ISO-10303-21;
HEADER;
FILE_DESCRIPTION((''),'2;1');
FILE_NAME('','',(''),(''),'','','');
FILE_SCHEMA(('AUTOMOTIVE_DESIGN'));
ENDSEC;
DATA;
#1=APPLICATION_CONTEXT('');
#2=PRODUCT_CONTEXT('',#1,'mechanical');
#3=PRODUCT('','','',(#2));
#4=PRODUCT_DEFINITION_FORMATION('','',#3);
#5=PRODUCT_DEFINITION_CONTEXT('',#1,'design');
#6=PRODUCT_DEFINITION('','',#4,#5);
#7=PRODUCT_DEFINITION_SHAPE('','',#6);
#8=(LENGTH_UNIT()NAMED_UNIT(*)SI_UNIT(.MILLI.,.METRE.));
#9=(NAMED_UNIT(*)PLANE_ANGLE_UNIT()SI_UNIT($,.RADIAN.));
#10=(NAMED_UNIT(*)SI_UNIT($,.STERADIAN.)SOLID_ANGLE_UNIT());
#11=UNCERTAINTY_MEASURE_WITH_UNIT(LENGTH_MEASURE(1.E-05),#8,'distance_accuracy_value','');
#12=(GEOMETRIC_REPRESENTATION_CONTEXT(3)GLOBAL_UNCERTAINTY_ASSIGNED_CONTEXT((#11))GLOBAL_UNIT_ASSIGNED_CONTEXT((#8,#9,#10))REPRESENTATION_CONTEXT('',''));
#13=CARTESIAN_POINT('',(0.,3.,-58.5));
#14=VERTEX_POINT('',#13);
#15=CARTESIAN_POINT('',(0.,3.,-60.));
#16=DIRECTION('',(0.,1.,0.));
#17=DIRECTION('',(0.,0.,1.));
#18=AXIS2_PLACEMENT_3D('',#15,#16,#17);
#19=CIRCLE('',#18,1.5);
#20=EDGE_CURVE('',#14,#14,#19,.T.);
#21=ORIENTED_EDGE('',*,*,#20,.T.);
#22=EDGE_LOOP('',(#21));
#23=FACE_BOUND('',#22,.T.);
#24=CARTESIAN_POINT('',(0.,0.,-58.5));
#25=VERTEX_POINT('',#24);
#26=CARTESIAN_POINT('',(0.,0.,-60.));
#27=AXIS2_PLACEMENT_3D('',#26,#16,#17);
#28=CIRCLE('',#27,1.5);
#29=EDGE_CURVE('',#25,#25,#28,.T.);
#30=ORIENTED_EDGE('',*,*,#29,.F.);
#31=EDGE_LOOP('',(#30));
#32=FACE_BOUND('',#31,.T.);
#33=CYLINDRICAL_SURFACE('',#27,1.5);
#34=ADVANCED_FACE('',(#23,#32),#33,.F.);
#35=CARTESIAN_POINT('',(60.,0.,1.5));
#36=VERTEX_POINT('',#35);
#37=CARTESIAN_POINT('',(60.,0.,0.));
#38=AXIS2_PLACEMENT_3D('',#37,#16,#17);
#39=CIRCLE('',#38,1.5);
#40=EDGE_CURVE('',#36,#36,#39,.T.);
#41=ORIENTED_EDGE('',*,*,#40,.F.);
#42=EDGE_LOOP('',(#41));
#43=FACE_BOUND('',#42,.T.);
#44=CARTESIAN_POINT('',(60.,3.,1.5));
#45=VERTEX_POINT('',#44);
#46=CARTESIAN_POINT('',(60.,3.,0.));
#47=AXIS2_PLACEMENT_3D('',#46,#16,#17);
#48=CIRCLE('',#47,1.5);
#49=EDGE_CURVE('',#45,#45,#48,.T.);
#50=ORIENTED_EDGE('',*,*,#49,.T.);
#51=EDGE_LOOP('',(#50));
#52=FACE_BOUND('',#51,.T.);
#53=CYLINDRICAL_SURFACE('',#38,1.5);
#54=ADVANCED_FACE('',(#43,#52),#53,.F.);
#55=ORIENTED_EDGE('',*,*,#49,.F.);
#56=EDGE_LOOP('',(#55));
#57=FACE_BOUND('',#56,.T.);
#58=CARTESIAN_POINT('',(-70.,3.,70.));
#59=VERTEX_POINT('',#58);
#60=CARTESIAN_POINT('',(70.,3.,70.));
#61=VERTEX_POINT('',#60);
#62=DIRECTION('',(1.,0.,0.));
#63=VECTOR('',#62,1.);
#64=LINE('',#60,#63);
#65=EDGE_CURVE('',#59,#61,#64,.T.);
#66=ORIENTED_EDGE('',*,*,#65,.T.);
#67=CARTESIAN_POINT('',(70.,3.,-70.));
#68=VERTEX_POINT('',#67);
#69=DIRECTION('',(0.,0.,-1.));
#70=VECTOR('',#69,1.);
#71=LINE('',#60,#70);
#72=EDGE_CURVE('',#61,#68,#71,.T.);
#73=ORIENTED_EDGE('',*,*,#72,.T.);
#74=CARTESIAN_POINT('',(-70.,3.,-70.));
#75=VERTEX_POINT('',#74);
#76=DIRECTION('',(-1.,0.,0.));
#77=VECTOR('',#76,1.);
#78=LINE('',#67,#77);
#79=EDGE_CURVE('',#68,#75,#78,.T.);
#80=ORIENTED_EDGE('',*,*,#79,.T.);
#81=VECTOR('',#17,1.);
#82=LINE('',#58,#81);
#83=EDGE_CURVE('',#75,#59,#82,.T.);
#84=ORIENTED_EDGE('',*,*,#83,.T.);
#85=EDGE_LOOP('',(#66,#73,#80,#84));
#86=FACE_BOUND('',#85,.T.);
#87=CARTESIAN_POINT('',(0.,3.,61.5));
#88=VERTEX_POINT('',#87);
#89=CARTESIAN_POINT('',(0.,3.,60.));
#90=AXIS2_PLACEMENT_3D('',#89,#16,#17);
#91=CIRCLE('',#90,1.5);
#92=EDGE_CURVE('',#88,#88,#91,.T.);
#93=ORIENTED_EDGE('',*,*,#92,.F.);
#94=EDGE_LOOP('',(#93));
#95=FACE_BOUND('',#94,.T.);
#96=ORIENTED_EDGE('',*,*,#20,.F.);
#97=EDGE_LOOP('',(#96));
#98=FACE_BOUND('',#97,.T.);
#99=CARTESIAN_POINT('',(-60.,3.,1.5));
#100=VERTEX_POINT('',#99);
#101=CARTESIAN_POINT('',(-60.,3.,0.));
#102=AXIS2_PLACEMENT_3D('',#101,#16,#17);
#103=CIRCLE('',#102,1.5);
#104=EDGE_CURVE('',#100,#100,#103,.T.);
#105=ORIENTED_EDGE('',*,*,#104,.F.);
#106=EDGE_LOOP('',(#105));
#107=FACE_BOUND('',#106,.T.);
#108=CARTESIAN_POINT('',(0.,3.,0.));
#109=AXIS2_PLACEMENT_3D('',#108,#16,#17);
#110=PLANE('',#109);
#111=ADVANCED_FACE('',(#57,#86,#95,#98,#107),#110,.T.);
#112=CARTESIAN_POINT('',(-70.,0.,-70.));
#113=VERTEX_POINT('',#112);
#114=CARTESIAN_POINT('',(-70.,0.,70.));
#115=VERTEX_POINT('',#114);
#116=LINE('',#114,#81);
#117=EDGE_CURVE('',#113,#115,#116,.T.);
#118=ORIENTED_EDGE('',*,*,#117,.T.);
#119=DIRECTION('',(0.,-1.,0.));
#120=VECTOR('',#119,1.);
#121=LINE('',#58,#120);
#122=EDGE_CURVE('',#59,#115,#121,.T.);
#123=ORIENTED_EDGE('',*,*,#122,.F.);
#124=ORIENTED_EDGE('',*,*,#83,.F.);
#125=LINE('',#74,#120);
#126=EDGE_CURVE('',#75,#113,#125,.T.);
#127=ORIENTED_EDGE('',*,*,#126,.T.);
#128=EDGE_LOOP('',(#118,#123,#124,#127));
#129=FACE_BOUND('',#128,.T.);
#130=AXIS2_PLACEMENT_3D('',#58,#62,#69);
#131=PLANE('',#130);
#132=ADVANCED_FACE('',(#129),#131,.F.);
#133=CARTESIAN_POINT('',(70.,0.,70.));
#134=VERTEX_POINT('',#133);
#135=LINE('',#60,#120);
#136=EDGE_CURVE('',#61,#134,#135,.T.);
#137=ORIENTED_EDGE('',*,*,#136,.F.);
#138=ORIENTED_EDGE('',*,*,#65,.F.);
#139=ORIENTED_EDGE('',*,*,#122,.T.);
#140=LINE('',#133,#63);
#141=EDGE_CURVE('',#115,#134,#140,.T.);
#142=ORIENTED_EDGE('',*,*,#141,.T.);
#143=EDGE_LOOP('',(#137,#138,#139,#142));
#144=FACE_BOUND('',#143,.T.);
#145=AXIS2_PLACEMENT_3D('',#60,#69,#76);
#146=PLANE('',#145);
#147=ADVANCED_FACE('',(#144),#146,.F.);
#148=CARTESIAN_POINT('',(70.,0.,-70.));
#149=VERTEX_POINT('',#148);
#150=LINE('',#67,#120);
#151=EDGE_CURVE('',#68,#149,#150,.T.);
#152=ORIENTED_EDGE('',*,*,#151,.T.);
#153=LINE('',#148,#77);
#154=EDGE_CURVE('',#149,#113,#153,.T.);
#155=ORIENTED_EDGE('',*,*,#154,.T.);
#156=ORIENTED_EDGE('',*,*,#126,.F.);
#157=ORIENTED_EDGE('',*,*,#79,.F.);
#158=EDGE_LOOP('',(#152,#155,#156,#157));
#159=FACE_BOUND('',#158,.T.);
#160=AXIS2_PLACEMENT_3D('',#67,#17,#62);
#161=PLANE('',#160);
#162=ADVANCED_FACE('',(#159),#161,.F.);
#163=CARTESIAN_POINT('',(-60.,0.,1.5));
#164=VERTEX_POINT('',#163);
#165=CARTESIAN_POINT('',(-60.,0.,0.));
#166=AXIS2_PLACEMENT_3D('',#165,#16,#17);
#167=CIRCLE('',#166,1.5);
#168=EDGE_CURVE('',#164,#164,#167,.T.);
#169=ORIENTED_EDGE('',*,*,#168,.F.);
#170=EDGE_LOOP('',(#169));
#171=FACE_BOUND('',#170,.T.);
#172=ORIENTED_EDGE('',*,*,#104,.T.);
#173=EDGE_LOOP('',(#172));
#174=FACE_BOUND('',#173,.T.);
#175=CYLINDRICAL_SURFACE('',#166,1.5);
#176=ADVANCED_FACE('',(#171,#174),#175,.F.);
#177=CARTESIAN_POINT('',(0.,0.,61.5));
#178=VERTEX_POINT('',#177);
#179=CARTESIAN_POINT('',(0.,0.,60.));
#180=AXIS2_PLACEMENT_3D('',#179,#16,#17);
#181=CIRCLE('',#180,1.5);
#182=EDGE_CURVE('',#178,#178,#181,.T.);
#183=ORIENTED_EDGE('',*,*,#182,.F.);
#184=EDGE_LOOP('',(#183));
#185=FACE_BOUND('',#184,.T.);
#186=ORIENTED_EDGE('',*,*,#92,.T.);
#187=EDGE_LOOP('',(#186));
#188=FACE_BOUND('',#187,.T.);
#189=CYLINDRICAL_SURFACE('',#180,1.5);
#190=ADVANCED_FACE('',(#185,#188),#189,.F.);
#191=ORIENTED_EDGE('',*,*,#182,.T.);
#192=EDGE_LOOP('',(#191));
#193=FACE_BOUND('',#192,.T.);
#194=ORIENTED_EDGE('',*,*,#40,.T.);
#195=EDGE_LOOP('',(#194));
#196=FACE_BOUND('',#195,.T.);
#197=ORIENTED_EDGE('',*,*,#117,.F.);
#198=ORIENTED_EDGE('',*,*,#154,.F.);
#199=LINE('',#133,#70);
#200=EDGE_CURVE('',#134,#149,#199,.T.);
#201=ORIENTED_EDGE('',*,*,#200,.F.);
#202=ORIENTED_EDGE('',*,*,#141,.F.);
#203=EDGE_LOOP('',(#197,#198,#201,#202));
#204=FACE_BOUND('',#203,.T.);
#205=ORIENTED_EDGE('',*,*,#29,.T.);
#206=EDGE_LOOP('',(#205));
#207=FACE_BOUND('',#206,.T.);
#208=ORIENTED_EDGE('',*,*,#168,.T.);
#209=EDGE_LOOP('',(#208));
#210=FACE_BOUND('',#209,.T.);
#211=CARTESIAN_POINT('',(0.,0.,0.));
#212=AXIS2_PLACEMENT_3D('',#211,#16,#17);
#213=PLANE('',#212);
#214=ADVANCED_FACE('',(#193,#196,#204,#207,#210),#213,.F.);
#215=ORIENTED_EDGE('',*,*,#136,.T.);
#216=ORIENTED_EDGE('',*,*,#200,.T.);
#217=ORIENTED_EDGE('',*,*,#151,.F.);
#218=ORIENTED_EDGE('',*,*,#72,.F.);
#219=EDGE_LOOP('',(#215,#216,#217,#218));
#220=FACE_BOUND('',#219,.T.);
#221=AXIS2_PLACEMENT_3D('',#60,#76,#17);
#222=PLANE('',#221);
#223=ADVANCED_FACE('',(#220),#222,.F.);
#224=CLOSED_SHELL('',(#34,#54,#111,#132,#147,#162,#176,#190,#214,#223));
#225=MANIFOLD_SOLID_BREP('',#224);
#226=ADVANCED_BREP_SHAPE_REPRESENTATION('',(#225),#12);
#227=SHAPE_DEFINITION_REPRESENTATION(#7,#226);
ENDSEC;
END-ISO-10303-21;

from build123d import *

# Parameters (mm, degrees)
SKETCH_1_W          = 140
SKETCH_1_H          = 140
EXTRUDE_1_DEPTH     = 3
SKETCH_2_R          = 1.5
CUT_EXTRUDE_1_DEPTH = 100.040395799


with BuildPart() as part:
    # 草图1 → 凸台-拉伸1 (new body)
    with BuildSketch(Plane(origin=(0, 0, 0), x_dir=(1, 0, 0), z_dir=(0, 1, 0))):
        Rectangle(SKETCH_1_W, SKETCH_1_H)
    extrude(amount=EXTRUDE_1_DEPTH)

    # 草图2 → 切除-拉伸1 (cut, through all)
    with BuildSketch(Plane(origin=(0, 3, 0), x_dir=(1, 0, 0), z_dir=(0, 1, 0))):
        with Locations(Location((0, 60, 0), (0, 0, 270))):
            Circle(SKETCH_2_R)
        with Locations(Location((60, 0, 0), (0, 0, 270))):
            Circle(SKETCH_2_R)
        with Locations(Location((0, -60, 0), (0, 0, 270))):
            Circle(SKETCH_2_R)
        with Locations(Location((-60, 0, 0), (0, 0, 270))):
            Circle(SKETCH_2_R)
    extrude(amount=-CUT_EXTRUDE_1_DEPTH, mode=Mode.SUBTRACT)


solid = part.part
